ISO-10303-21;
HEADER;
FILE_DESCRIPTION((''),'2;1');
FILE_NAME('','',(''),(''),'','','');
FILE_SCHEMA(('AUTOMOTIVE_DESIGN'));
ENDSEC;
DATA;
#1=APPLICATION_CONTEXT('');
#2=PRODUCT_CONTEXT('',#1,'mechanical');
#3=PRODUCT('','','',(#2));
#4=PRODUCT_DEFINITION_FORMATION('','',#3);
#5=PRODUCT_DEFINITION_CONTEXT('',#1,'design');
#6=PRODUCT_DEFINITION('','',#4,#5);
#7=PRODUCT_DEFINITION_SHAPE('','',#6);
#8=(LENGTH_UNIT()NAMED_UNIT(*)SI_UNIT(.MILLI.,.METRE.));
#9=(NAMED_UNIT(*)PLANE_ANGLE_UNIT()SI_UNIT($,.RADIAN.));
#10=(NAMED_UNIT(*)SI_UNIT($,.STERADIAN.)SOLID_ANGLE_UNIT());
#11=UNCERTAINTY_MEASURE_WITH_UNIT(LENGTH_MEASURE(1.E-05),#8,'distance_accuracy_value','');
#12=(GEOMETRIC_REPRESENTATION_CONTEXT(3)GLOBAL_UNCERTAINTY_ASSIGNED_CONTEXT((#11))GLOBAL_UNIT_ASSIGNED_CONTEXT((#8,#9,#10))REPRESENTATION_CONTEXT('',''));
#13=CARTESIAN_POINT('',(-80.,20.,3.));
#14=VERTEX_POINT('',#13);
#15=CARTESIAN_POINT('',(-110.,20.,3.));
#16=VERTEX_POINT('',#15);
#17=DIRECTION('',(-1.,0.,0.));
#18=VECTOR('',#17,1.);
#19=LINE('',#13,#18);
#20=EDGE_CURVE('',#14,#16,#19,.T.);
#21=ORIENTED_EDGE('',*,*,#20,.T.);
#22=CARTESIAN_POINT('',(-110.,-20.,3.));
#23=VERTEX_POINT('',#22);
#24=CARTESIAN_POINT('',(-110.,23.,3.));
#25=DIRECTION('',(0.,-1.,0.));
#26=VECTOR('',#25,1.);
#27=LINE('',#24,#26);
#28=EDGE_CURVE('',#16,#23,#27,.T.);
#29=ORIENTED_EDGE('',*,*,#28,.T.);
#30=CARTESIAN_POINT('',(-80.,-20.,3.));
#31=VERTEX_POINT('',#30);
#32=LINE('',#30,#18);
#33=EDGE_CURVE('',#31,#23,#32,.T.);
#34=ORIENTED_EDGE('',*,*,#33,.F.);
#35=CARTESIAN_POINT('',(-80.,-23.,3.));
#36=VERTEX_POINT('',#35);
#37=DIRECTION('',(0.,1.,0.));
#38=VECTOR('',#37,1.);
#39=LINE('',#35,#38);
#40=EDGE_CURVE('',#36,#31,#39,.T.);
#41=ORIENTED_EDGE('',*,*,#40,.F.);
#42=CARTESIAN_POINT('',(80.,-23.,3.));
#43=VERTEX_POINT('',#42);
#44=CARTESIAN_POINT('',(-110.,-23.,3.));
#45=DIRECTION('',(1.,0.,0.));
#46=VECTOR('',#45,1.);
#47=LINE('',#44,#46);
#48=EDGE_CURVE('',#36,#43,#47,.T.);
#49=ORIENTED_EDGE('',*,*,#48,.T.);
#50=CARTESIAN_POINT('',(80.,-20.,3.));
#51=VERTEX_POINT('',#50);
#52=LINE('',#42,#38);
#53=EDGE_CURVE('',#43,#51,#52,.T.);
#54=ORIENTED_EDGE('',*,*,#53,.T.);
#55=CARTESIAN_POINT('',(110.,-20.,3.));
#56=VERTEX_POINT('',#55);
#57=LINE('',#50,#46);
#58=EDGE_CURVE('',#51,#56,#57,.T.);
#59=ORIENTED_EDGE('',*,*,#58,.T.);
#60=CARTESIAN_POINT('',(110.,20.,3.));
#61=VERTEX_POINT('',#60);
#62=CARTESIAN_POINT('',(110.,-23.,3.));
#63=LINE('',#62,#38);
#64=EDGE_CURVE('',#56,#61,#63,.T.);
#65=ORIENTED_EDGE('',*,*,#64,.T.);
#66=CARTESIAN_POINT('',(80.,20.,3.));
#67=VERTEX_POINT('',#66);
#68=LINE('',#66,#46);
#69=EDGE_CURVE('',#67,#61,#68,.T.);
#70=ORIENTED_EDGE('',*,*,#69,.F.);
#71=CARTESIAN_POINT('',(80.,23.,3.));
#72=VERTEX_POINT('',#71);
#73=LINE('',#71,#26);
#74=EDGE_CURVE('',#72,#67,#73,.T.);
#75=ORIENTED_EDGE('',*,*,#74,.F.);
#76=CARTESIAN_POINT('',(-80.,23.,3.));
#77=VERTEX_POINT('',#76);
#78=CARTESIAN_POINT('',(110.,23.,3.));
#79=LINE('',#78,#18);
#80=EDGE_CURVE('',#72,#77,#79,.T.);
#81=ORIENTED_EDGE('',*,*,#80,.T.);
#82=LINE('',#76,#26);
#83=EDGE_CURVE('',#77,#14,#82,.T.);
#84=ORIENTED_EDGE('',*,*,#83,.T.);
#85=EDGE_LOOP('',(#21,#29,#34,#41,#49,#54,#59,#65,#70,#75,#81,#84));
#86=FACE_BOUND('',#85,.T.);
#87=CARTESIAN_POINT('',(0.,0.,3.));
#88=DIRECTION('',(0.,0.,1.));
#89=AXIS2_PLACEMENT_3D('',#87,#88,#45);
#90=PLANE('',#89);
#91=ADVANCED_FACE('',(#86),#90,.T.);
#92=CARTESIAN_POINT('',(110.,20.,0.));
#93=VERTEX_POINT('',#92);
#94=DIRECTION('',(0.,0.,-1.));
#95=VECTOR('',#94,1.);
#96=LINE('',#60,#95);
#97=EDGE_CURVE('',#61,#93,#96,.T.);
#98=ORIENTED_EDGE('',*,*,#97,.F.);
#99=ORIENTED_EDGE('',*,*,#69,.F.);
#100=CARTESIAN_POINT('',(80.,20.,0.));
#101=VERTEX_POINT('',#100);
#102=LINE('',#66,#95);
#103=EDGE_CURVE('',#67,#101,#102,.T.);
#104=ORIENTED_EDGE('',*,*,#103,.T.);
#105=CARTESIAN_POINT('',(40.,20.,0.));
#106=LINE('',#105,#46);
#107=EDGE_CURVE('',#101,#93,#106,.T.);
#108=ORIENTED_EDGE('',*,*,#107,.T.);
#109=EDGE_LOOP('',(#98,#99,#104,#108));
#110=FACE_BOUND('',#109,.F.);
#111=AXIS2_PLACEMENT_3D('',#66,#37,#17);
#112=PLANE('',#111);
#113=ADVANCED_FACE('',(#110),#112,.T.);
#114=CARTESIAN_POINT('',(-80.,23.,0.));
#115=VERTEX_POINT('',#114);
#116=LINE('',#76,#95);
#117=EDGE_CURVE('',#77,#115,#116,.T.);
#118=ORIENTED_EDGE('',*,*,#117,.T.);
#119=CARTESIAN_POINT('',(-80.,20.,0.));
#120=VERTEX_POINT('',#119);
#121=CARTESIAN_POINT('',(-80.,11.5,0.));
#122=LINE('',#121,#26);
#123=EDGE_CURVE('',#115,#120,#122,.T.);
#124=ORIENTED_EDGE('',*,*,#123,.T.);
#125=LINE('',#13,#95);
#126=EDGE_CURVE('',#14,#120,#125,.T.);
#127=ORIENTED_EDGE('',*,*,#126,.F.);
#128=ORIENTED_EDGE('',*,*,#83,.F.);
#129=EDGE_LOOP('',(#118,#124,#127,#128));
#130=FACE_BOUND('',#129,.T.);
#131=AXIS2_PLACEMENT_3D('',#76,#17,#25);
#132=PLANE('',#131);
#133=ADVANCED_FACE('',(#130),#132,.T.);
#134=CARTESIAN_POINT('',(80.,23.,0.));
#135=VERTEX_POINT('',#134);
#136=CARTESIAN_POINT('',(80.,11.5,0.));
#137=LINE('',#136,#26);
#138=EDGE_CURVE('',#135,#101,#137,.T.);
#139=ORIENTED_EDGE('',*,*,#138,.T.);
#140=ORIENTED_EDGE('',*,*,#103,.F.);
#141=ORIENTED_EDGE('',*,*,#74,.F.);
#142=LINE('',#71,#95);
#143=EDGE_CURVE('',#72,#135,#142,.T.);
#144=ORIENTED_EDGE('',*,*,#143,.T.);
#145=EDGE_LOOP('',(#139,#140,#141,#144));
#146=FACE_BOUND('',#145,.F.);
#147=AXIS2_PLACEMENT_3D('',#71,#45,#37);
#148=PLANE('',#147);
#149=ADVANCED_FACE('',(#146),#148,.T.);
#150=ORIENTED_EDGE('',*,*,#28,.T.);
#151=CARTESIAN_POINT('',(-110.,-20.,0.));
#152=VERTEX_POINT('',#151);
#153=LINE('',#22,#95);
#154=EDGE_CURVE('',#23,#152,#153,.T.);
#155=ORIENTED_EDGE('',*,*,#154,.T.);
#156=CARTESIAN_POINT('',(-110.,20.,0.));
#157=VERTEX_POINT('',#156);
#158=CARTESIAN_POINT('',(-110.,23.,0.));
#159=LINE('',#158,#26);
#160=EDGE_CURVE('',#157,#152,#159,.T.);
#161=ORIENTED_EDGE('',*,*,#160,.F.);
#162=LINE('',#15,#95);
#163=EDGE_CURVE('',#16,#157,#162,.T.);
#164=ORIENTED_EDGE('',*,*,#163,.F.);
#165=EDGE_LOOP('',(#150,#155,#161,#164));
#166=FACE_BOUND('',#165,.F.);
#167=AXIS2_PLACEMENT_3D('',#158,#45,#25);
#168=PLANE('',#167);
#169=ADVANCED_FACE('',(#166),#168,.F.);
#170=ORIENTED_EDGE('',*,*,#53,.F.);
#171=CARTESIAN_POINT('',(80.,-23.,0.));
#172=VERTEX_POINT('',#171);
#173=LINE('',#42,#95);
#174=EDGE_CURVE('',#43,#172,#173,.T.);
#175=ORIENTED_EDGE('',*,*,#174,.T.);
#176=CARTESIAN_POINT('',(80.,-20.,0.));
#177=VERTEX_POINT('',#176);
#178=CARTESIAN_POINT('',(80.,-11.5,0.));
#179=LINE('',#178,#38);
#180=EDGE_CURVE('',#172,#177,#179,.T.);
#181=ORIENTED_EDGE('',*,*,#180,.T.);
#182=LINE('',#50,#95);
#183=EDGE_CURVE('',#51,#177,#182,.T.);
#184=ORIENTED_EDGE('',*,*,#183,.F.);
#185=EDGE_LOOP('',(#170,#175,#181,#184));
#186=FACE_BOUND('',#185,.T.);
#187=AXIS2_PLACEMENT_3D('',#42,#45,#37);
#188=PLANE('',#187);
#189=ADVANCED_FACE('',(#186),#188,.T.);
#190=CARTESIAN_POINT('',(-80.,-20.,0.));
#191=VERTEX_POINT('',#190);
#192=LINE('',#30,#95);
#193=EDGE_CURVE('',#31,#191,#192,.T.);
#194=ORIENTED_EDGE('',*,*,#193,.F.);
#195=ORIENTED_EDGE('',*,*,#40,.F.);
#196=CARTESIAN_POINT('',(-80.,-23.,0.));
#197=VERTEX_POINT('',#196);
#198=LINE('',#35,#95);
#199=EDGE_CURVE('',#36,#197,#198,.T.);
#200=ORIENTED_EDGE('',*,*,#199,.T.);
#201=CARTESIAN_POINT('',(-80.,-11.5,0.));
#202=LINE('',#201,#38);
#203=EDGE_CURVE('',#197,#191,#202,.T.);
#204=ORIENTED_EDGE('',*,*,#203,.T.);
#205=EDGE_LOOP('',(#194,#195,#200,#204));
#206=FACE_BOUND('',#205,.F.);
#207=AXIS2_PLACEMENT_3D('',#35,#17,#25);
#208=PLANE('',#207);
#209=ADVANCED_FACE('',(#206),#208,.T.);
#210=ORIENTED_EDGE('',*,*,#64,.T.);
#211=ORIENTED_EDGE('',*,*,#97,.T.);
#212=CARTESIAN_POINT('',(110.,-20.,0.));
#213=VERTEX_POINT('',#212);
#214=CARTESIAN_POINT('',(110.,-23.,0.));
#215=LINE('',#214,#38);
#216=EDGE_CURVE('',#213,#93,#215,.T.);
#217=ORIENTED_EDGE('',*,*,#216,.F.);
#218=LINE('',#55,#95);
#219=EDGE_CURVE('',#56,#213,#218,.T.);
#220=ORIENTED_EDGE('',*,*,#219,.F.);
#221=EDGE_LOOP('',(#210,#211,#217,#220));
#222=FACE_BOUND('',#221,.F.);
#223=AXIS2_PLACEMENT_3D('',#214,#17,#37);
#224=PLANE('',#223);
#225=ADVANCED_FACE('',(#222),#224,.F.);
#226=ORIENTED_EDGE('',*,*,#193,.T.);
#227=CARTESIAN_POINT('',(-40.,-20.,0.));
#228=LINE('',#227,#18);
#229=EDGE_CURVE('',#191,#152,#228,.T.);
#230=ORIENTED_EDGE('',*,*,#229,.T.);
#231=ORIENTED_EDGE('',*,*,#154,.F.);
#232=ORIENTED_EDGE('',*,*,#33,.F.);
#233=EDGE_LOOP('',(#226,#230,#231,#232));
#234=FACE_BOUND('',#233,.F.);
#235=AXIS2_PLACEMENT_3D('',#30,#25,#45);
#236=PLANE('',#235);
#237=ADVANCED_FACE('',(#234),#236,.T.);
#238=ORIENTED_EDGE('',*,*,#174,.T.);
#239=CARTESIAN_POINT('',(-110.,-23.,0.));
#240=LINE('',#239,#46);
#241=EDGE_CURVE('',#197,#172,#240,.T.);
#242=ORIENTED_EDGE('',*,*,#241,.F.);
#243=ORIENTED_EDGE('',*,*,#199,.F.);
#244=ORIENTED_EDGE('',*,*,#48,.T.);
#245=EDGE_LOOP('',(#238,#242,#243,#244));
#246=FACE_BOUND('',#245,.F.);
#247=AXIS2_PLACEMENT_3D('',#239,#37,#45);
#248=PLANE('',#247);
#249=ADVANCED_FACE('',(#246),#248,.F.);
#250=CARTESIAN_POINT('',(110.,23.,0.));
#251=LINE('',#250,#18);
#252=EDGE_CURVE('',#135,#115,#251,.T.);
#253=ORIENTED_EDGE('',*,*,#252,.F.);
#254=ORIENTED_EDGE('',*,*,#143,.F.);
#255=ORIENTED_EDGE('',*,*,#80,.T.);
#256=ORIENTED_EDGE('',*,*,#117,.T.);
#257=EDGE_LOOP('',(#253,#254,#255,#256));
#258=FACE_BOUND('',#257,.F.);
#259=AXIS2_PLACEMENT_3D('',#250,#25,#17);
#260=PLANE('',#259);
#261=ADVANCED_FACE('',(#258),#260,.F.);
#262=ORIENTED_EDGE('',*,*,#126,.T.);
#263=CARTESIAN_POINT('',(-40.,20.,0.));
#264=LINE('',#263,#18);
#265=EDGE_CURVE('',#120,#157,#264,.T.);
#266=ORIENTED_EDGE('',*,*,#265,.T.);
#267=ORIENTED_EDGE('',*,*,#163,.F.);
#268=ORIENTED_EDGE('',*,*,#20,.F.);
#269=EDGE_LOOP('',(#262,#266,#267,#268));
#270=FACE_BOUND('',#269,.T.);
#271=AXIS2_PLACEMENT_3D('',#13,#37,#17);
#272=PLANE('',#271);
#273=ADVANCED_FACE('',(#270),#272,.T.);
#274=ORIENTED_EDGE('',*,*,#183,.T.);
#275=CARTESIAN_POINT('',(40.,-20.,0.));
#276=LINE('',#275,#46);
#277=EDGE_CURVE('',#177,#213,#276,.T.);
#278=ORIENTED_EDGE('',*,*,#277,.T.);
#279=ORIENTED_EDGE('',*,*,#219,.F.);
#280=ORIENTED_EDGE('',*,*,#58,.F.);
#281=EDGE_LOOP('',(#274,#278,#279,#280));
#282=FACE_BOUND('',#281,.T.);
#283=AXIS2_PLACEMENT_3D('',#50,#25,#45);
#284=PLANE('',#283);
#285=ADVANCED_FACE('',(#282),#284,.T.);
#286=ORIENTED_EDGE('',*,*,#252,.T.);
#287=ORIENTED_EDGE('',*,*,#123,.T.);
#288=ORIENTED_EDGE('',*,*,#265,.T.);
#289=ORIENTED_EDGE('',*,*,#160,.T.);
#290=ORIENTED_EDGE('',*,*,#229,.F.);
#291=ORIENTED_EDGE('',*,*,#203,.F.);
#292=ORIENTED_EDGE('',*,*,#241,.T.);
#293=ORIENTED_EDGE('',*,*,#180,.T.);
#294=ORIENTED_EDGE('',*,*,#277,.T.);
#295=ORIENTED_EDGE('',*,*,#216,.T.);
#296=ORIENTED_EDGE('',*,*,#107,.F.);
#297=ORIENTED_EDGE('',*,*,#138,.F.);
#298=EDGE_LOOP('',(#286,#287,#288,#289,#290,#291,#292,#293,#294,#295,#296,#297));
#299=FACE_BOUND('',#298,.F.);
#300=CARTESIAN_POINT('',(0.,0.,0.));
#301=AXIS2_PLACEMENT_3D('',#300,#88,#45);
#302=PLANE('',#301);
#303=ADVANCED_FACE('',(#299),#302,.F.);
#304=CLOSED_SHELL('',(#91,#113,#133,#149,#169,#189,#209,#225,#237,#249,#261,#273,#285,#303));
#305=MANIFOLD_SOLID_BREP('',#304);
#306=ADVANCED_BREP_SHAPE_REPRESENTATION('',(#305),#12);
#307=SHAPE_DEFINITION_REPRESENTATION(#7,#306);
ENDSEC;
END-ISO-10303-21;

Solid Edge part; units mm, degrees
sketch "Sketch1" plane through (0, 0, 0) normal (0, 0, 1) x (1, 0, 0)
  line L0 (-110, -23) -> (110, -23)
  line L1 (110, -23) -> (110, 23)
  line L2 (110, 23) -> (-110, 23)
  line L3 (-110, 23) -> (-110, -23)
  dimension "D1" = 220
  dimension "D2" = 46
extrude "Ajout_matière_1" add sketch "Sketch1" along normal blind 3
sketch "Sketch2" plane through (0, 0, 3) normal (0, 0, 1) x (1, 0, 0)
  line L0 (-110, 23) -> (-80, 23)
  line L1 (-80, 23) -> (-80, 20)
  line L2 (-80, 20) -> (-110, 20)
  line L3 (-110, 20) -> (-110, 23)
  dimension "D1" = 3
  dimension "D2" = 30
extrude "Cutout1" cut sketch "Sketch2" against normal through all
mirror "Mirror1" about plane through (0, 0, 0) normal (1, 0, 0) of "Cutout1"
mirror "Mirror2" about plane through (0, 0, 0) normal (0, -1, 0) of "Mirror1", "Cutout1"
properties material "Acier S235"
